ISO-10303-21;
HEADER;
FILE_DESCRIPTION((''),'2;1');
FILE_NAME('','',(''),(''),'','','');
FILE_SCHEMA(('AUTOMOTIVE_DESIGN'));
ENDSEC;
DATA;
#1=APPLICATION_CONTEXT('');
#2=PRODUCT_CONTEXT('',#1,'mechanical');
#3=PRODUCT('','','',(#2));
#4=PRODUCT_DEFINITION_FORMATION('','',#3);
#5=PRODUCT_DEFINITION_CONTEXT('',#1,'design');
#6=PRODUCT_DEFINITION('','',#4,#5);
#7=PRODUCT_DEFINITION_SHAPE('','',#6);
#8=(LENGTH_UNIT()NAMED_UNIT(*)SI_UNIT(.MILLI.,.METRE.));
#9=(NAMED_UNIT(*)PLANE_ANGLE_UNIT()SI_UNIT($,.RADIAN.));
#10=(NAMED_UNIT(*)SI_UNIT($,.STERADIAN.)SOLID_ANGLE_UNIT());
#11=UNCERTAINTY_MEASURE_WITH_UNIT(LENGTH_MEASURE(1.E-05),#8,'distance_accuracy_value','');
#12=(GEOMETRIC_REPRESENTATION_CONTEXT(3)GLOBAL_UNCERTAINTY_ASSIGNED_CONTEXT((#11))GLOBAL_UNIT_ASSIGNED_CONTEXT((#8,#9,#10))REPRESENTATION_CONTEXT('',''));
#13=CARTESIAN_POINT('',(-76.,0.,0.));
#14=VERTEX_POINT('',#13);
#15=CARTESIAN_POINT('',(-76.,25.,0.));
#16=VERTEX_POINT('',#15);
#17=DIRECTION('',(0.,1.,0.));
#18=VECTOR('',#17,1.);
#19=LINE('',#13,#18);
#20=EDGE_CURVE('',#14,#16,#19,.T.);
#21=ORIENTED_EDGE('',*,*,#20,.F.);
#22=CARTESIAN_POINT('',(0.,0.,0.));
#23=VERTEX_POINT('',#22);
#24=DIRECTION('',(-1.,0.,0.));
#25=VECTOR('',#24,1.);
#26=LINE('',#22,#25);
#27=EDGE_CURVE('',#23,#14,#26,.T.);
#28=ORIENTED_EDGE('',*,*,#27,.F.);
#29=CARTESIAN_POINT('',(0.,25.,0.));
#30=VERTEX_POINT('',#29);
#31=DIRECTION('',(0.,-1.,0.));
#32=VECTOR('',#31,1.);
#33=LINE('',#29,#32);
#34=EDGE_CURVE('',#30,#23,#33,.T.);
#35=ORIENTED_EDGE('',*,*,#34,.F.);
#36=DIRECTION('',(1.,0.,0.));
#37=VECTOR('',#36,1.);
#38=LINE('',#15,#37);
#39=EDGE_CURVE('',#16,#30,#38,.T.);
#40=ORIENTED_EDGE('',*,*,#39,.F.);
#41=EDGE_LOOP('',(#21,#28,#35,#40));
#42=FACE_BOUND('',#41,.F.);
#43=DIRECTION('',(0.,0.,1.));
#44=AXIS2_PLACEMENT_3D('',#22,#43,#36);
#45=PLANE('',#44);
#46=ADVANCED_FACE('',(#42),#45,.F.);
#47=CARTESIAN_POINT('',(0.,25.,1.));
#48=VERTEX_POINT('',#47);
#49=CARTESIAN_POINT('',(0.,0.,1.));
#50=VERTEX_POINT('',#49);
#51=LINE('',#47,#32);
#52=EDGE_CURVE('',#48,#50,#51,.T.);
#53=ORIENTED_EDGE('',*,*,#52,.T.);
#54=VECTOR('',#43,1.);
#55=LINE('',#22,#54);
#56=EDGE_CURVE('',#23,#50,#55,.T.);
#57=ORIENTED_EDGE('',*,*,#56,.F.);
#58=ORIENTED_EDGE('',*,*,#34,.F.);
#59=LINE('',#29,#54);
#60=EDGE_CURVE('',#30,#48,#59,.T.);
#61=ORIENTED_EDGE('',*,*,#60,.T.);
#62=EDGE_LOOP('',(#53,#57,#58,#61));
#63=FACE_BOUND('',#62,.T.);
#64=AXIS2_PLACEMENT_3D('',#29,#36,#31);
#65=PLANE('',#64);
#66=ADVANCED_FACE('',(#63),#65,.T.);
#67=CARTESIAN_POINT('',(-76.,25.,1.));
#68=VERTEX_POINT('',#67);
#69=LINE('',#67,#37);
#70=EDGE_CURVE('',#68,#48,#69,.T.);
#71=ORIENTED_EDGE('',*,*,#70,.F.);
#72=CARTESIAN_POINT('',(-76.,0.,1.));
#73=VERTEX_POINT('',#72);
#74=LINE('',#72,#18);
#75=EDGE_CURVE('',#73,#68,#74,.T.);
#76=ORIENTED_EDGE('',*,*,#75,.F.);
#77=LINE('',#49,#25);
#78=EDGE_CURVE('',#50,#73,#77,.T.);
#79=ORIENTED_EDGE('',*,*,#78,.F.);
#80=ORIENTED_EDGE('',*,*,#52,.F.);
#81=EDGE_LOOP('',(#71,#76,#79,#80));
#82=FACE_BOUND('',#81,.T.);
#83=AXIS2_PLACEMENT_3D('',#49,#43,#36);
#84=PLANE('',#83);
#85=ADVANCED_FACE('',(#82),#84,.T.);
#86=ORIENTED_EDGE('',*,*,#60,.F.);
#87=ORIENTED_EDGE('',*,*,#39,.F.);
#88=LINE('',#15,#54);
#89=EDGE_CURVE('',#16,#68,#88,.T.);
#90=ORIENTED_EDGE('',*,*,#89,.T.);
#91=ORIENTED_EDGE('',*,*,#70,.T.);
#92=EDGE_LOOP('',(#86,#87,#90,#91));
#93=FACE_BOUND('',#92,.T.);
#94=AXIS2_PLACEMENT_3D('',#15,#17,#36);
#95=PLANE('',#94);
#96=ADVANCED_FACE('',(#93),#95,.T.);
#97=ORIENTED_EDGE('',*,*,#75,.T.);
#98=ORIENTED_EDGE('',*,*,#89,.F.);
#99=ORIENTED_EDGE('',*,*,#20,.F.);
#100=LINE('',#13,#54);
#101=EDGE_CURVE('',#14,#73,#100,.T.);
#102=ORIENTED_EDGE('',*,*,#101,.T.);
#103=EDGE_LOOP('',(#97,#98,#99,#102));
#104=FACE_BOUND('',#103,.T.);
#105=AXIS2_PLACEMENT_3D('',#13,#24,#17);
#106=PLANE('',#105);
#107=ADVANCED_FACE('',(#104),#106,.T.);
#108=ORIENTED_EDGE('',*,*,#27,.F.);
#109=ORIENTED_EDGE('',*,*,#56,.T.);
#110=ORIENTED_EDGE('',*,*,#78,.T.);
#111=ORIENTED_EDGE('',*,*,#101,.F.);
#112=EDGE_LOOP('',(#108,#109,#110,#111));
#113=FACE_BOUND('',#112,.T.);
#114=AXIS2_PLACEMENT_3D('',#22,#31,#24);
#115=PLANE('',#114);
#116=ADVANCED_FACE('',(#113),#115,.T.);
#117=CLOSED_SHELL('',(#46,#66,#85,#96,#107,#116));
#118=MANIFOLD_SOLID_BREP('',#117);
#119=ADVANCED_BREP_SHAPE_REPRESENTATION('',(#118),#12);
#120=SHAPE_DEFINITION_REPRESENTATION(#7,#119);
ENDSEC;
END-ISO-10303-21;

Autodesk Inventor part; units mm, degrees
ref_plane "YZ Plane" through (0, 0, 0) normal (1, 0, 0) x (0, 1, 0)
ref_plane "XZ Plane" through (0, 0, 0) normal (0, 1, 0) x (-1, 0, 0)
ref_plane "XY Plane" through (0, 0, 0) normal (0, 0, 1) x (1, 0, 0)
sketch "Skizze1" plane through (0, 0, 0) normal (0, 0, 1) x (1, 0, 0)
  line L0 (0, 0) -> (-76, 0)
  line L1 (-76, 0) -> (-76, 25)
  line L2 (-76, 25) -> (0, 25)
  line L3 (0, 25) -> (0, 0)
  dimension "d0" = 76
  dimension "d1" = 25
extrude "Extrusion1" add sketch "Skizze1" along normal blind 1
ref_plane "Arbeitsebene1" through (-76, 12.5, 0) normal (0, -1, 0) x (1, 0, 0)
properties part number "00_Coverglass"
